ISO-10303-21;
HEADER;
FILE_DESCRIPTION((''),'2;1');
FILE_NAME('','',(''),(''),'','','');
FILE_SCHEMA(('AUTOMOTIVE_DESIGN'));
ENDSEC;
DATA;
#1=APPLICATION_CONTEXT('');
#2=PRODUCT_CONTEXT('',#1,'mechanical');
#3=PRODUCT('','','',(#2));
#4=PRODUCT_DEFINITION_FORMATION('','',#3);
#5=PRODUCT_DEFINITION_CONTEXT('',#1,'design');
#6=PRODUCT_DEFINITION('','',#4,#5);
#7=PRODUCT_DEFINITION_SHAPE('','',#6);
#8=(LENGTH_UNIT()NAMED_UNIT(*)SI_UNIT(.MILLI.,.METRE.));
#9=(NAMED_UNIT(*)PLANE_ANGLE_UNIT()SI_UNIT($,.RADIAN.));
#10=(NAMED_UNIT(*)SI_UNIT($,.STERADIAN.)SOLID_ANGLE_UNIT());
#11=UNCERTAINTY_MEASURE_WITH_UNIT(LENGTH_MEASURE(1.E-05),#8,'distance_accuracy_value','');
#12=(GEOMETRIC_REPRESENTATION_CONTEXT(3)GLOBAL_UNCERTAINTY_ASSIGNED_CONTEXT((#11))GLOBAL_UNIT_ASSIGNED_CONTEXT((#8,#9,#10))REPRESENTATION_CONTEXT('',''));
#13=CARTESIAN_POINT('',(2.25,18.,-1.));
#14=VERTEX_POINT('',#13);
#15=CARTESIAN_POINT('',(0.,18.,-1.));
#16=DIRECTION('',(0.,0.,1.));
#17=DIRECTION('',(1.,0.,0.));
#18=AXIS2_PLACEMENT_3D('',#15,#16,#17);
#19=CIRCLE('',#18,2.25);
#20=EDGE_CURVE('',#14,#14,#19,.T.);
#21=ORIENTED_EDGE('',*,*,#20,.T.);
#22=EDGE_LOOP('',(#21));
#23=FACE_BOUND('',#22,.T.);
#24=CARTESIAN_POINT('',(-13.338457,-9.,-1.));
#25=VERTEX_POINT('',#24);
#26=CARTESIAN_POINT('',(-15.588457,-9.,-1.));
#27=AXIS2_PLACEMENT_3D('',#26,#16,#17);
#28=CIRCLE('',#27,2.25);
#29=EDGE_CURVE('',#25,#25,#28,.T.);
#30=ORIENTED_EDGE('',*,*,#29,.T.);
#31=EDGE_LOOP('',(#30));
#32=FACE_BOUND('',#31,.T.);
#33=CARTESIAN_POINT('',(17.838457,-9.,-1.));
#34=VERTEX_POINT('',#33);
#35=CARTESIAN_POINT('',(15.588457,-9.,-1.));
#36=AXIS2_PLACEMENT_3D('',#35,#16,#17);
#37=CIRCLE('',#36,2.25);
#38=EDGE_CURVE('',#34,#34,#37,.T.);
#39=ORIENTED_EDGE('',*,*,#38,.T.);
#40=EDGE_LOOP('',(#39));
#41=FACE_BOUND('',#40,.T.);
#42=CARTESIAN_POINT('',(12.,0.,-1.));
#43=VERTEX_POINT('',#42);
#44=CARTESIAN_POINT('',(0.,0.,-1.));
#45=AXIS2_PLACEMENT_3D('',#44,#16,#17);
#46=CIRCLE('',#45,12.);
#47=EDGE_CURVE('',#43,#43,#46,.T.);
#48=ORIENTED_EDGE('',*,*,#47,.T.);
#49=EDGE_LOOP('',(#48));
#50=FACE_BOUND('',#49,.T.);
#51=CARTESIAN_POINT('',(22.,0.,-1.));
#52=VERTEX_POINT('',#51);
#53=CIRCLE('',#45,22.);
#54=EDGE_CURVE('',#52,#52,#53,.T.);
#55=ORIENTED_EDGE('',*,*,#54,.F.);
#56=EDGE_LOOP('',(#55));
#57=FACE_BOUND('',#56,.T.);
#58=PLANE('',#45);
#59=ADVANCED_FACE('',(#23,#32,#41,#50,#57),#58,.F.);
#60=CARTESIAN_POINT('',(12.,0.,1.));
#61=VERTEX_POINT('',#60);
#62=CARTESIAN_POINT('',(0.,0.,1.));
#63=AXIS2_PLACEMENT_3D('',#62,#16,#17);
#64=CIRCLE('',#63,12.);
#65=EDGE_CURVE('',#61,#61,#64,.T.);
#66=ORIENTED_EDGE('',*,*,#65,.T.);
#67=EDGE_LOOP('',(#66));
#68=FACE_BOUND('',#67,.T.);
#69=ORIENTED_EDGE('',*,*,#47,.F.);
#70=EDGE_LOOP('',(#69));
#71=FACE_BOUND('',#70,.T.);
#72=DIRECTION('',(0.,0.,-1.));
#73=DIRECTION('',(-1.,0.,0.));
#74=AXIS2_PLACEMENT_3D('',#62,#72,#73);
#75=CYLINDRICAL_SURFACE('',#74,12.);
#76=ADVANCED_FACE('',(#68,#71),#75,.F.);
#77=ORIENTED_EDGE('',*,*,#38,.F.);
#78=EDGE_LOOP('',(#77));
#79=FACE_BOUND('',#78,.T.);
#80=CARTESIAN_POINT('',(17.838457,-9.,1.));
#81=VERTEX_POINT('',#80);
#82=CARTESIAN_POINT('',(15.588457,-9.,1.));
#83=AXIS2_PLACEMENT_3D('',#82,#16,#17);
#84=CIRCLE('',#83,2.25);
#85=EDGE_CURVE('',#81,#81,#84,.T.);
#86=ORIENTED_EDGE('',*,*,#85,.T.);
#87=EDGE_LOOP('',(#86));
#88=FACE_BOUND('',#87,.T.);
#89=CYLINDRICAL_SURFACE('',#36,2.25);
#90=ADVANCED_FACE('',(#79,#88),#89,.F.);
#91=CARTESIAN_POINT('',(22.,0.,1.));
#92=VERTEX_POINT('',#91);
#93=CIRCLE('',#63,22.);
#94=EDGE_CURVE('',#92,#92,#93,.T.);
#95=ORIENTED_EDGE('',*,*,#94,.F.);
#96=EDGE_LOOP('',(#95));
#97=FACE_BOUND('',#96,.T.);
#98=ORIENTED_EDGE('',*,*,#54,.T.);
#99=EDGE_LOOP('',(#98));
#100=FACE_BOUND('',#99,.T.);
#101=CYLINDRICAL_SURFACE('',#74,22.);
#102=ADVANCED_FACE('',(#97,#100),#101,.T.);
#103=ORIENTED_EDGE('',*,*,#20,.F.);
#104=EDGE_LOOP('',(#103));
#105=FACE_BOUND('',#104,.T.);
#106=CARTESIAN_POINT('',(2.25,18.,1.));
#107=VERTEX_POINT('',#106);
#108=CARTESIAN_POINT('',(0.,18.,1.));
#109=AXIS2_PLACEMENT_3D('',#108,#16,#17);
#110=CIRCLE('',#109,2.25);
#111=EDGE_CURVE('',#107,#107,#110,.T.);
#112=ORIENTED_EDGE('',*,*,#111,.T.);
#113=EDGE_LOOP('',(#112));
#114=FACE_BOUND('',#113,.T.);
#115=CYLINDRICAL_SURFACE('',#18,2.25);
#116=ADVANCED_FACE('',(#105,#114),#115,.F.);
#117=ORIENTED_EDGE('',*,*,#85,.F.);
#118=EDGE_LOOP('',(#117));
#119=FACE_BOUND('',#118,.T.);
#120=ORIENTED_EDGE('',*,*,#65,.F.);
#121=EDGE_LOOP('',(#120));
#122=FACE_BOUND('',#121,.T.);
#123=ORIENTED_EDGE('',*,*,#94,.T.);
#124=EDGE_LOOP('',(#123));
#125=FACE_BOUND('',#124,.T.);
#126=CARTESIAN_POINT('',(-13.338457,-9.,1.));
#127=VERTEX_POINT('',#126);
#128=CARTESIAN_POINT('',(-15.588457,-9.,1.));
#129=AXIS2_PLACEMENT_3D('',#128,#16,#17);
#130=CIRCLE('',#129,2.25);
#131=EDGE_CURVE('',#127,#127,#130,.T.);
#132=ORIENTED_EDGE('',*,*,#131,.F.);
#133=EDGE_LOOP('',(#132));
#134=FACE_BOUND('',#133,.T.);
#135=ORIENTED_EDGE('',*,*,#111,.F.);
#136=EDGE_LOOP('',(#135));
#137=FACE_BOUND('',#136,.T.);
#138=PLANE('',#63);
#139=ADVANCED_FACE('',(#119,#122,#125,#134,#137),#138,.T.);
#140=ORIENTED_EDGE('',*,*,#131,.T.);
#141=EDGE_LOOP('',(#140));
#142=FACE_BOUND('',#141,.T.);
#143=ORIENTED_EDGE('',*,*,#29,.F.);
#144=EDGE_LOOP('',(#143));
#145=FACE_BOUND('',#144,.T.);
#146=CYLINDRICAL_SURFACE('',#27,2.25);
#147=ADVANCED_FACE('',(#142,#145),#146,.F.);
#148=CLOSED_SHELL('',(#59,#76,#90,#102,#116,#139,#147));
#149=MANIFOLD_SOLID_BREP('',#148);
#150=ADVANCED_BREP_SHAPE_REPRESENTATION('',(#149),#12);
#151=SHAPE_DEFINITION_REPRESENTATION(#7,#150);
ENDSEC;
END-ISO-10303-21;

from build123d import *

# Parameters (mm, degrees)
SKETCH1_R               = 22
SKETCH1_R_2             = 12
BOSS_EXTRUDE1_DEPTH     = 1
CUT_EXTRUDE1_DEPTH      = 32.176914536
CUT_EXTRUDE1_DEPTH_BACK = 32.176914536
SKETCH2_R               = 2.25


with BuildPart() as part:
    # Sketch1 → Boss-Extrude1 (new, symmetric)
    with BuildSketch(Plane.XY):
        Circle(SKETCH1_R)
        Circle(SKETCH1_R_2, mode=Mode.SUBTRACT)
    extrude(amount=BOSS_EXTRUDE1_DEPTH, both=True)

    # Sketch2 → Cut-Extrude1 (cut, two sides: drawn at the far end of the back side and taken through both)
    with BuildSketch(Plane.XY.offset(1).offset(-CUT_EXTRUDE1_DEPTH_BACK)):
        with Locations((0, 18)):
            Circle(SKETCH2_R)
        with Locations((15.588457268, -9)):
            Circle(SKETCH2_R)
        with Locations((-15.588457268, -9)):
            Circle(SKETCH2_R)
    extrude(amount=CUT_EXTRUDE1_DEPTH + CUT_EXTRUDE1_DEPTH_BACK, mode=Mode.SUBTRACT)


solid = part.part
